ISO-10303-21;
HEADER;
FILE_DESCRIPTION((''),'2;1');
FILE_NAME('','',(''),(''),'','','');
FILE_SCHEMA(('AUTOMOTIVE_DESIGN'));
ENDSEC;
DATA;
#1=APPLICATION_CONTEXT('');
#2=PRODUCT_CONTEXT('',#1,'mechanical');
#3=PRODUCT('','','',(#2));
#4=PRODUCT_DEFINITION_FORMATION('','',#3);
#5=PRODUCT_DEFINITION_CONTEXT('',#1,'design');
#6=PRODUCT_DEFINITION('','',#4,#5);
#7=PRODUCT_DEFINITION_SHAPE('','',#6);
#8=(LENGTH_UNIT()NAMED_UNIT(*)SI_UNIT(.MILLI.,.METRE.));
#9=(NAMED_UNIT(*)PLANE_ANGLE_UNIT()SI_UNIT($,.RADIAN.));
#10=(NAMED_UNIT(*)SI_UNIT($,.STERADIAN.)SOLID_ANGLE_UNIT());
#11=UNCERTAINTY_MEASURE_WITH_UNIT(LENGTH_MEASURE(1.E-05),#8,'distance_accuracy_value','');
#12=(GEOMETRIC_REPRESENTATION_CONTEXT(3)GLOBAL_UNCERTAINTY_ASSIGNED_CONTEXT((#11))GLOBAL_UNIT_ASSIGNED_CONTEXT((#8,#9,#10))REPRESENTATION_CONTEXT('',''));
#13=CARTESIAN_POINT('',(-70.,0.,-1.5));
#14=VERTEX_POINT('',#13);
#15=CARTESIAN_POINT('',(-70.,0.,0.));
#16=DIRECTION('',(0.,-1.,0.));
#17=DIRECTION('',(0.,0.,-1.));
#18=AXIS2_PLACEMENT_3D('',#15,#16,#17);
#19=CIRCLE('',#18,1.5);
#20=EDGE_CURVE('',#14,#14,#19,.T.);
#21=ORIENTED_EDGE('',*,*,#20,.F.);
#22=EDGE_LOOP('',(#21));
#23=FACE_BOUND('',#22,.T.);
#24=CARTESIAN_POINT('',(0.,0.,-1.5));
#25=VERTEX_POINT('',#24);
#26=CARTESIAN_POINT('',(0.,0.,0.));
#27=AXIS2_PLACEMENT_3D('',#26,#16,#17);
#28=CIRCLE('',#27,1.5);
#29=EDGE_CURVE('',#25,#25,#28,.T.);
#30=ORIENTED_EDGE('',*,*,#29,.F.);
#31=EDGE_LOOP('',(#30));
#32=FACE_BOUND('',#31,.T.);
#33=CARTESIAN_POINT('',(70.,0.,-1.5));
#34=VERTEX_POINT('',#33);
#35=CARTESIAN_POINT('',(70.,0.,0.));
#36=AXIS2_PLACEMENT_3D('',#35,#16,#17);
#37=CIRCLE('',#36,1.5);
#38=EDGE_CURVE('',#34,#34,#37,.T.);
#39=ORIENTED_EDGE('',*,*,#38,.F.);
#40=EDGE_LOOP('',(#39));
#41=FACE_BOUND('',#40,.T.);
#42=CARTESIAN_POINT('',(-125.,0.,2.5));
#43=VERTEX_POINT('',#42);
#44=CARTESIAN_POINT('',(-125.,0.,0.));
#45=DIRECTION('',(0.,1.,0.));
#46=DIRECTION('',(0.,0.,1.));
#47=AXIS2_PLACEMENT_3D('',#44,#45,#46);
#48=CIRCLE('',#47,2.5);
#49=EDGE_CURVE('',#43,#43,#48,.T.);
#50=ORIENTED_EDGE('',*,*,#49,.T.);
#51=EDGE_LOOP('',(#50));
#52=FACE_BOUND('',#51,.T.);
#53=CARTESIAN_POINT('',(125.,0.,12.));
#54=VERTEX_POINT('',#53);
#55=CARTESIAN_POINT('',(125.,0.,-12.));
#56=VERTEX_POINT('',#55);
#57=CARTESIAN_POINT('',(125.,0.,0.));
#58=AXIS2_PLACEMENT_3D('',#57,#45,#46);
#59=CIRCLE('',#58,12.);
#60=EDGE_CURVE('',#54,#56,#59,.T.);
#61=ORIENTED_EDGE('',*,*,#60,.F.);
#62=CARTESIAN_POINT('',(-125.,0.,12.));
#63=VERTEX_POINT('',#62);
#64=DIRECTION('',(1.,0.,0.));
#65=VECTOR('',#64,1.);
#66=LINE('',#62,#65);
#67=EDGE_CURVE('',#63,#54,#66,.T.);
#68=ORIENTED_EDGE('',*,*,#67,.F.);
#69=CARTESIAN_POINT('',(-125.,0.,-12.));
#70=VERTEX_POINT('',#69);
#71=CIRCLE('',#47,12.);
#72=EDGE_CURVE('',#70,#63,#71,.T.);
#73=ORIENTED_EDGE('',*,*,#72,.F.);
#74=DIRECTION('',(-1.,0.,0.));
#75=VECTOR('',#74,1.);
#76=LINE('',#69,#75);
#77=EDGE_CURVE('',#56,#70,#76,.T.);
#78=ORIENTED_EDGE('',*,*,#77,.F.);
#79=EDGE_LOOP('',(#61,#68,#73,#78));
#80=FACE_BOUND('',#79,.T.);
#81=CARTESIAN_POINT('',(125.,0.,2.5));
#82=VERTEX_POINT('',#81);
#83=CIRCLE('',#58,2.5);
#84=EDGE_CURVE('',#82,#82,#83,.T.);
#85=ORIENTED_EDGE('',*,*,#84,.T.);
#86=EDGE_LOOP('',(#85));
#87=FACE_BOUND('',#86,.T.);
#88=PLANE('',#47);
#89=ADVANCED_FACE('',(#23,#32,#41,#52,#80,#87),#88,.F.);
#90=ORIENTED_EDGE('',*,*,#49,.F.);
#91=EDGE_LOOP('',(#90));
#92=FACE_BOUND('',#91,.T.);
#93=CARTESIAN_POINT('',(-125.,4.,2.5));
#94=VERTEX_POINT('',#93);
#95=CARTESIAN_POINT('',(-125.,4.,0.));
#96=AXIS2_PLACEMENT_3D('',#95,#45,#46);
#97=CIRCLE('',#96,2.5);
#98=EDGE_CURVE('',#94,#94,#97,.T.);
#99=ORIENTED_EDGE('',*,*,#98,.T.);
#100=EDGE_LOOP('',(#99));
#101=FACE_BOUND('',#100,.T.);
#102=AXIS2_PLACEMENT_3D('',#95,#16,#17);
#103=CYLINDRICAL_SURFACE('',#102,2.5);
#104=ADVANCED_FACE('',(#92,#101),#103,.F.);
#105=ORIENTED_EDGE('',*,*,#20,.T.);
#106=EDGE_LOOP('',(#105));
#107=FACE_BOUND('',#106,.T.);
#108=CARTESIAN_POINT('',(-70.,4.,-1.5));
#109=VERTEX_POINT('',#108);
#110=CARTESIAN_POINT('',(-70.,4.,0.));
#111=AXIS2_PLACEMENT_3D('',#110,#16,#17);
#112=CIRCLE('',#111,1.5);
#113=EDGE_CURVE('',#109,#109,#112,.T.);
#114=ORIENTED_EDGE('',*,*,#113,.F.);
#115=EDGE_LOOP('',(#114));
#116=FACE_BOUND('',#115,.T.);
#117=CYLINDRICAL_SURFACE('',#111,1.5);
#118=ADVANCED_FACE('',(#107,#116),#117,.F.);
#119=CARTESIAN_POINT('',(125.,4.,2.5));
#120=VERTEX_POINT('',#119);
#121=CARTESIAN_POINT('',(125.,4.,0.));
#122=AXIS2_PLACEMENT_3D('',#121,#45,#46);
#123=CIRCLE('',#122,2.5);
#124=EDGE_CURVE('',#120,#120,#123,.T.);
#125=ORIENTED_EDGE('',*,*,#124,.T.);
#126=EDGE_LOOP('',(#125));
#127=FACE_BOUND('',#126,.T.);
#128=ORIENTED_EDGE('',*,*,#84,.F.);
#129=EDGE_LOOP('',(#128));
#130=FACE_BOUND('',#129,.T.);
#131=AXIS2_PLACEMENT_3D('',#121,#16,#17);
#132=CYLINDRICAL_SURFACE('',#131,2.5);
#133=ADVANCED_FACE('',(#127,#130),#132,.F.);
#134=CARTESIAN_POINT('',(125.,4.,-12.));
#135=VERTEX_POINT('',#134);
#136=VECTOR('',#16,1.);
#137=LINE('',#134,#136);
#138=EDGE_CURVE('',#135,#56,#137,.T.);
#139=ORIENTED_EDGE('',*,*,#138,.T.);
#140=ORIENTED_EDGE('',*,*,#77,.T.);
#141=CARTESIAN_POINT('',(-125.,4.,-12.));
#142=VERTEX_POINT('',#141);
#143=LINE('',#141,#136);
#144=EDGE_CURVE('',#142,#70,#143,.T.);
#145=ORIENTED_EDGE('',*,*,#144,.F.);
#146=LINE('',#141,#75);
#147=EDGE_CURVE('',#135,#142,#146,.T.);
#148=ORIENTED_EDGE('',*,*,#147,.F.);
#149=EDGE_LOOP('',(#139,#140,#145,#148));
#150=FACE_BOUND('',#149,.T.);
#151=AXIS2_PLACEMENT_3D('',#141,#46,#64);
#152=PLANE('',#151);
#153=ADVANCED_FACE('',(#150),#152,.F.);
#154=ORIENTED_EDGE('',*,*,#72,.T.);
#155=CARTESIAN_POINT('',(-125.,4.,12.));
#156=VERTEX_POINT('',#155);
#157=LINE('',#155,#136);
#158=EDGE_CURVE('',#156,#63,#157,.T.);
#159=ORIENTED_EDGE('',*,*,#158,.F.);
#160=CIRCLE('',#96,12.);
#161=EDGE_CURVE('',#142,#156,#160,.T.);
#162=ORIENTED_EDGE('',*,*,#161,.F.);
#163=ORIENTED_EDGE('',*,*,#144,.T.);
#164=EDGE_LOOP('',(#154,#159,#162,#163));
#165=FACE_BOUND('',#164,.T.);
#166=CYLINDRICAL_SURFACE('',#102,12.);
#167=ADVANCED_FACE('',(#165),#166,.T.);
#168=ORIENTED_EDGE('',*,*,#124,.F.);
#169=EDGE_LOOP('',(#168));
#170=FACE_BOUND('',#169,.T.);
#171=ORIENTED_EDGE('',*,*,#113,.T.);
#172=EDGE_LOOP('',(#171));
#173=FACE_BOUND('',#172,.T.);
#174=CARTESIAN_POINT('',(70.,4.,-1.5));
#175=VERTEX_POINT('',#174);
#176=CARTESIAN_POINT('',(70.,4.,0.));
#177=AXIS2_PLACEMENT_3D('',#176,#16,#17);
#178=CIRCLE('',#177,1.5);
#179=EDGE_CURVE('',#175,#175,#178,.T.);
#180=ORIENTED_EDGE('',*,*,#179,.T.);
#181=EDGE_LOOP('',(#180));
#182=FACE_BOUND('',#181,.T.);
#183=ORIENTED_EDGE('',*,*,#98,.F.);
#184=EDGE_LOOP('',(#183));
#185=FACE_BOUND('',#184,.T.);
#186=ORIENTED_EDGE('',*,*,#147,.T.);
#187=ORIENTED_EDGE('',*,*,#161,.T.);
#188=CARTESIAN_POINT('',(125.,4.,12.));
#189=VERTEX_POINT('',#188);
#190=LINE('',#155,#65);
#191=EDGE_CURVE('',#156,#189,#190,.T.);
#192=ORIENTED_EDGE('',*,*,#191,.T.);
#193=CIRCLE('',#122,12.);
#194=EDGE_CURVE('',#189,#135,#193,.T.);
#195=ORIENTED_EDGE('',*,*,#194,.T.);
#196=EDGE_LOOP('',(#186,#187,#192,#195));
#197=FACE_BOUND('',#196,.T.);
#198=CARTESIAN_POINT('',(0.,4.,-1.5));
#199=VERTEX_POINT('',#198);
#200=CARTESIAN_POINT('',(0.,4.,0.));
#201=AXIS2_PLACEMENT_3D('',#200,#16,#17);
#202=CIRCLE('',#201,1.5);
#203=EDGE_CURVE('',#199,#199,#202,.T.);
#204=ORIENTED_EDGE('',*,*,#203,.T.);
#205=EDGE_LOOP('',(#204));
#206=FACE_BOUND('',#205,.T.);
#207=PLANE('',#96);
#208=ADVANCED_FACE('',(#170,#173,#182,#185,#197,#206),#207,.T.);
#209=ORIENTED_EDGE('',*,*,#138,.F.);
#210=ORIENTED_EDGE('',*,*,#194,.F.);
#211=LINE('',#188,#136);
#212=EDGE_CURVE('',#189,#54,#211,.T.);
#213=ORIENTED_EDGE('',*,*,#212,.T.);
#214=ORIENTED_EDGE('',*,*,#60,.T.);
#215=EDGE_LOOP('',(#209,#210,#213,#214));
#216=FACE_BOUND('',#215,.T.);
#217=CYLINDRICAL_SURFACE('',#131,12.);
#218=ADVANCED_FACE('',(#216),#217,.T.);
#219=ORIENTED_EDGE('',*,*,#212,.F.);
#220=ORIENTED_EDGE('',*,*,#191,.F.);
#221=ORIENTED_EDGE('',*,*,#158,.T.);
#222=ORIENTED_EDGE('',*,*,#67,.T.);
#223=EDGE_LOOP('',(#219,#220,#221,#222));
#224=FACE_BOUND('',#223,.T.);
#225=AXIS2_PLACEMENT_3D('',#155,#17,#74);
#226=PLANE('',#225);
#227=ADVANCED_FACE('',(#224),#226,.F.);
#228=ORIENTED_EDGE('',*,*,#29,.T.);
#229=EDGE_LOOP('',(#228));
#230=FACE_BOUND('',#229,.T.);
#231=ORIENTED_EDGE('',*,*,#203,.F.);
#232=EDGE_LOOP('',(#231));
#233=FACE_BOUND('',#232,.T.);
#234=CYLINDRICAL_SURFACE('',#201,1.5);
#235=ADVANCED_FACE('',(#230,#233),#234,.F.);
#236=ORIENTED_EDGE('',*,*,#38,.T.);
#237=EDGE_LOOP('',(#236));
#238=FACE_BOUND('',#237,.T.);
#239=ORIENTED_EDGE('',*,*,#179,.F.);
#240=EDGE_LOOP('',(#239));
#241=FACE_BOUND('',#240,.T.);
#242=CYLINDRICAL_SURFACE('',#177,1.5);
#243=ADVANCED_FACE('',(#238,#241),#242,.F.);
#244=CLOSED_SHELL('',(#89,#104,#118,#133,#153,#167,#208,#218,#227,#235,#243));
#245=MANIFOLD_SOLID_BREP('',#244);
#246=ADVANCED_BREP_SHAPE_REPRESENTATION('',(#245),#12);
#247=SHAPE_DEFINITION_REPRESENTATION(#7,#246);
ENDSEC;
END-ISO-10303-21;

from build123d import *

# Parameters (mm, degrees)
SKETCH_1_R          = 2.5
EXTRUDE_1_DEPTH     = 4
SKETCH_2_R          = 1.5
CUT_EXTRUDE_1_DEPTH = 4


with BuildPart() as part:
    # 草图1 → 凸台-拉伸1 (new body)
    with BuildSketch(Plane(origin=(0, 0, 0), x_dir=(1, 0, 0), z_dir=(0, 1, 0))):
        with BuildLine():
            Line((-125, 12), (125, 12))
            ThreePointArc((125, 12), (137, 0), (125, -12))
            Line((125, -12), (-125, -12))
            ThreePointArc((-125, -12), (-137, 0), (-125, 12))
        make_face()
        with Locations(Location((125, 0, 0), (0, 0, 270))):
            Circle(SKETCH_1_R, mode=Mode.SUBTRACT)
        with Locations(Location((-125, 0, 0), (0, 0, 270))):
            Circle(SKETCH_1_R, mode=Mode.SUBTRACT)
    extrude(amount=EXTRUDE_1_DEPTH)

    # 草图2 → 切除-拉伸1 (cut)
    with BuildSketch(Plane.XZ):
        with Locations(Location((-70, 0, 0), (0, 0, 270))):
            Circle(SKETCH_2_R)
        with Locations(Location((0, 0, 0), (0, 0, 270))):
            Circle(SKETCH_2_R)
        with Locations(Location((70, 0, 0), (0, 0, 270))):
            Circle(SKETCH_2_R)
    extrude(amount=-CUT_EXTRUDE_1_DEPTH, mode=Mode.SUBTRACT)


solid = part.part
